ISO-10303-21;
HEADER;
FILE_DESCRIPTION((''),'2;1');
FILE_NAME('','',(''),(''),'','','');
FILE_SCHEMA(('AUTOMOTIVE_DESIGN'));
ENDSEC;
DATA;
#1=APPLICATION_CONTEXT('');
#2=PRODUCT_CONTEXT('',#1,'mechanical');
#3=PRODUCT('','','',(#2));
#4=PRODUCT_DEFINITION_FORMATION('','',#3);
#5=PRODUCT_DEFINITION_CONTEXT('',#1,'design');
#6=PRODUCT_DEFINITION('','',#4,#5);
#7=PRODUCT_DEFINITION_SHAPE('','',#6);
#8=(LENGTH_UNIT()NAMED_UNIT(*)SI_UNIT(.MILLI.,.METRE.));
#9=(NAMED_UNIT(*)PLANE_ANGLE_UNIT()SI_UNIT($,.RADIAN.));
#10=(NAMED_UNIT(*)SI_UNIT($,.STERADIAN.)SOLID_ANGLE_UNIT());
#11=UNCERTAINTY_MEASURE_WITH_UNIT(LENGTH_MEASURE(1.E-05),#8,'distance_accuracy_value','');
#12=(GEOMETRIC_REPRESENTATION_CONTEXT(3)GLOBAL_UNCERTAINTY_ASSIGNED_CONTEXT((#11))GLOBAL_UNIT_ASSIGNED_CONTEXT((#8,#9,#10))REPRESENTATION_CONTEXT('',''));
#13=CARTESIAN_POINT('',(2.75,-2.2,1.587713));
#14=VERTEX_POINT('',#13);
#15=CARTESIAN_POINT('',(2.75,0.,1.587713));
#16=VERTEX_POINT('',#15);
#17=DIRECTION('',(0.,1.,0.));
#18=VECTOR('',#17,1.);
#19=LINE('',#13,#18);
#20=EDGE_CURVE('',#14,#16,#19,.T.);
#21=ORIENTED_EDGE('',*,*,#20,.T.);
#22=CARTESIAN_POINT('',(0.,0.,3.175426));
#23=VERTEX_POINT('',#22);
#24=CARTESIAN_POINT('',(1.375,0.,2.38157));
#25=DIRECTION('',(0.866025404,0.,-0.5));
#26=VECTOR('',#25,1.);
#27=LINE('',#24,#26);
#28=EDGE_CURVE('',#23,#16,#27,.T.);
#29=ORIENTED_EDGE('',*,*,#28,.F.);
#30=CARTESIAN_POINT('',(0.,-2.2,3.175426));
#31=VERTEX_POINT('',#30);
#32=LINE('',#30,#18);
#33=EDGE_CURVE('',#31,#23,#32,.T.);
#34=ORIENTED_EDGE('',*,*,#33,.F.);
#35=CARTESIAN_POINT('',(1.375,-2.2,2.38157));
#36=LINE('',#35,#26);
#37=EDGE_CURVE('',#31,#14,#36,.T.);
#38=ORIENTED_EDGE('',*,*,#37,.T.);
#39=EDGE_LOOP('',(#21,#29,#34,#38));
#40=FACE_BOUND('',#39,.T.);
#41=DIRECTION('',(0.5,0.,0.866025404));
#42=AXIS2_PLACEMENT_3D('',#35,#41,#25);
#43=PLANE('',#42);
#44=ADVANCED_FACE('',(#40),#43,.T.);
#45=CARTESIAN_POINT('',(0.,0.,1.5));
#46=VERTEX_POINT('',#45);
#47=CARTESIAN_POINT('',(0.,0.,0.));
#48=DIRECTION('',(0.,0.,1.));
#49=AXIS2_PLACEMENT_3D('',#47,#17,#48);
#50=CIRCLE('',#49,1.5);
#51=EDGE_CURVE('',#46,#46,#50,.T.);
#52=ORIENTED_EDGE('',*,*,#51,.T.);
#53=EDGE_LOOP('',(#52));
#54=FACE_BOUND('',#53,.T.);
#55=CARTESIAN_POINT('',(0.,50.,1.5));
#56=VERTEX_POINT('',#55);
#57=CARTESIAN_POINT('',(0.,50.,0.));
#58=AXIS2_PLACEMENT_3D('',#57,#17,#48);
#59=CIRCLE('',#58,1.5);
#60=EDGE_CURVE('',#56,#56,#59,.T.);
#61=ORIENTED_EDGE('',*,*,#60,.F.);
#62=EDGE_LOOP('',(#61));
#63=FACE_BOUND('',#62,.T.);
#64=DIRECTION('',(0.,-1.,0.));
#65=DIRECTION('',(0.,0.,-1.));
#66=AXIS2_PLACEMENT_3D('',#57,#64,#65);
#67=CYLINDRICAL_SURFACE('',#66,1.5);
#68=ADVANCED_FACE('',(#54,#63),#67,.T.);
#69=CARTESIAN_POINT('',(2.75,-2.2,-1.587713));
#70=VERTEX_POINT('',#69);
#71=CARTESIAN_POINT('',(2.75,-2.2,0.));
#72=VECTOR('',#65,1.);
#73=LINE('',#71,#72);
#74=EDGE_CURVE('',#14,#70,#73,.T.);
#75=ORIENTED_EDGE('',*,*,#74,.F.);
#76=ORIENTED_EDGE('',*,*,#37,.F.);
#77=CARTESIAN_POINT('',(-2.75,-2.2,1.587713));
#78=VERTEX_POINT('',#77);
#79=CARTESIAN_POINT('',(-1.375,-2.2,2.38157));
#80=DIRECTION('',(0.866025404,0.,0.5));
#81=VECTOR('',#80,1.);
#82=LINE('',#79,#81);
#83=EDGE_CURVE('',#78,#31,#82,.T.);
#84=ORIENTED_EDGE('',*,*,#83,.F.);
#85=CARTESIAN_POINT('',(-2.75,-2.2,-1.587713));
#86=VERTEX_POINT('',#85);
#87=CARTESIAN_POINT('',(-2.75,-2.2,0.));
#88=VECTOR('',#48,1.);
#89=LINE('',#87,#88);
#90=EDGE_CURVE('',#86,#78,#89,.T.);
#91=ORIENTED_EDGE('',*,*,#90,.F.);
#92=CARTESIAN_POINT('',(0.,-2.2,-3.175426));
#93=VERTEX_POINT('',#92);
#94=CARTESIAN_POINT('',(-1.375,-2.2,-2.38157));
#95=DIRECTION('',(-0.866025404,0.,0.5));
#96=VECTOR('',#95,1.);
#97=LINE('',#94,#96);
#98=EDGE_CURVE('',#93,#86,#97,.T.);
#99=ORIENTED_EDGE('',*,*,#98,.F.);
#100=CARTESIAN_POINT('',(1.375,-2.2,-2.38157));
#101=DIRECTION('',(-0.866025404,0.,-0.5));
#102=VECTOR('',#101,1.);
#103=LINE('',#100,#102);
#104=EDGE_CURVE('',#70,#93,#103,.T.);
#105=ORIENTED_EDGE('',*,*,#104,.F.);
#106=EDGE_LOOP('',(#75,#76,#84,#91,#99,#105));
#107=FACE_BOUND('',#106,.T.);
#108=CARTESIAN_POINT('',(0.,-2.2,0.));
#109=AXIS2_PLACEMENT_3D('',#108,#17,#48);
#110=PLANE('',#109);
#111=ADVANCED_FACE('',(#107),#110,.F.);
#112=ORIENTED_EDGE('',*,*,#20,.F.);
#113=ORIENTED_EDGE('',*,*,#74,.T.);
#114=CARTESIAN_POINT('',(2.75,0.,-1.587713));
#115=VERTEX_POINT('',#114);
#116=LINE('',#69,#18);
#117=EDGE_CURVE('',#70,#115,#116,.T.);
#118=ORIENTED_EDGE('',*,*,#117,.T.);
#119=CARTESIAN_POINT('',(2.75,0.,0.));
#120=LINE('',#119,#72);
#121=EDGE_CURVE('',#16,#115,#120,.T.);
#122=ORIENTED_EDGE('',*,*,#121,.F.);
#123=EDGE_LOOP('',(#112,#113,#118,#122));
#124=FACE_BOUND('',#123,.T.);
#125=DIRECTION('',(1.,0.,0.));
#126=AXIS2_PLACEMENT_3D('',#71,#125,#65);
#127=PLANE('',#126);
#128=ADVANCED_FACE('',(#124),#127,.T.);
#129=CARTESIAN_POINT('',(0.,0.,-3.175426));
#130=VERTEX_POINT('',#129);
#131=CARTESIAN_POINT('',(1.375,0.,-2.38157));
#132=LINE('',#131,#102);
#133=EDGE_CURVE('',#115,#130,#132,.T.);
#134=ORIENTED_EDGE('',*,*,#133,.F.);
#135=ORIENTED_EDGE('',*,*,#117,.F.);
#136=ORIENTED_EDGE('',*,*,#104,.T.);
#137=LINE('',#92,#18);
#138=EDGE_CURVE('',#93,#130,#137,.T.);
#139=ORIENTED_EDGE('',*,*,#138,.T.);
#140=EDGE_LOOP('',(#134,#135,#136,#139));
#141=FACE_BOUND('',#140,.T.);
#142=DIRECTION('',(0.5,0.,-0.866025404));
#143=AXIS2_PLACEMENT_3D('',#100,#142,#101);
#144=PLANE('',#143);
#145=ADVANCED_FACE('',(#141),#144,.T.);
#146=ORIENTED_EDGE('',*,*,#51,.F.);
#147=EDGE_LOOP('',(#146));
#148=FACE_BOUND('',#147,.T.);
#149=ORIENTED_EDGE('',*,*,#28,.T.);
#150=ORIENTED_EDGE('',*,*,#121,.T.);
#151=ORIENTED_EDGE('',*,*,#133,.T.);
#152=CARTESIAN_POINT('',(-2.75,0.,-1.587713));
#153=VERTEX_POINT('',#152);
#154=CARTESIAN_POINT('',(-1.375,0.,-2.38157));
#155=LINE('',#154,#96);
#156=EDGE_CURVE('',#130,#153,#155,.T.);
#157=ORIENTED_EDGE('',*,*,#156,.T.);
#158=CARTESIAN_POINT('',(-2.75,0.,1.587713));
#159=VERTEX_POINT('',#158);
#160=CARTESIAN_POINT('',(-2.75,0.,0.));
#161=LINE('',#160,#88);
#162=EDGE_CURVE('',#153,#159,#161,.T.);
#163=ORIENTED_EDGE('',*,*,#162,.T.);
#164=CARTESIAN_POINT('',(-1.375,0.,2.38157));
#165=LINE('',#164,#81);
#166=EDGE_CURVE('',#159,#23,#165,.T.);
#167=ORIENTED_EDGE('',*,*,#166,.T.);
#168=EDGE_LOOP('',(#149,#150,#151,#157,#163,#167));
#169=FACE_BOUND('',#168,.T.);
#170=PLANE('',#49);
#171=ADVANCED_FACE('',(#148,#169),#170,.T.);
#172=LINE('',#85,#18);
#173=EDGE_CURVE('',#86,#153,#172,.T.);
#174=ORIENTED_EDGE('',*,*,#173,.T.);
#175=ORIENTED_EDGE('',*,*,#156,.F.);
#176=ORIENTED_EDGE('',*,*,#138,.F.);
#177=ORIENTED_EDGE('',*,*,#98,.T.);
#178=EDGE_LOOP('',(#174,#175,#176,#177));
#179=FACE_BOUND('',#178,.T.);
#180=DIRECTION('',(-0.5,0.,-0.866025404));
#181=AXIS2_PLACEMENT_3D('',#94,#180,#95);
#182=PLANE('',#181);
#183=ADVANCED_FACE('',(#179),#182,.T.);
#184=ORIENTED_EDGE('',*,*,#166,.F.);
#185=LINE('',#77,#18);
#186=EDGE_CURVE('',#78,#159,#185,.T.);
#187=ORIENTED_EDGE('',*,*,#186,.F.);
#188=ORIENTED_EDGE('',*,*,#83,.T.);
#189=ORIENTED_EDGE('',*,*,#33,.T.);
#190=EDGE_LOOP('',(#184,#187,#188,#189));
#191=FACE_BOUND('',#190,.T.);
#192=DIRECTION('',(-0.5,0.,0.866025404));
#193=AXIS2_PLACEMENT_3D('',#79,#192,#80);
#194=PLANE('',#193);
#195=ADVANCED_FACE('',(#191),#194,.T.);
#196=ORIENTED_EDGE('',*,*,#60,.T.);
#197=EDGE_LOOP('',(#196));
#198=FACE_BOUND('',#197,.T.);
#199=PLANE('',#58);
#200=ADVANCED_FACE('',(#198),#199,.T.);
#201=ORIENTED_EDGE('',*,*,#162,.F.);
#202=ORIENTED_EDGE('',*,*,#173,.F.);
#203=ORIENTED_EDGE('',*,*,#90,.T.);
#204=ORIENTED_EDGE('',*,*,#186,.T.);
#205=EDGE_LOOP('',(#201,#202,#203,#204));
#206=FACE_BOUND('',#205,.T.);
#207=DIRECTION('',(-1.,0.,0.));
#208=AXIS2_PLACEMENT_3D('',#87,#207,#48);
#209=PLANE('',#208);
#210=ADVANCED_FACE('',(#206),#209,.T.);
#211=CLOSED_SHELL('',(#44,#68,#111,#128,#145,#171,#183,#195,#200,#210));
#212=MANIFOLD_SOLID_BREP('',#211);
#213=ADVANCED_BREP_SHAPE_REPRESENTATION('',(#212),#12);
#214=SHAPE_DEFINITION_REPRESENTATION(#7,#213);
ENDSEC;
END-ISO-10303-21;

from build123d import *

# Parameters (mm, degrees)
SKETCH_1_R      = 1.5
EXTRUDE_3_DEPTH = 50
EXTRUDE_4_DEPTH = 2.2


with BuildPart() as part:
    # 草图1 → 凸台-拉伸3 (new body)
    with BuildSketch(Plane(origin=(0, 0, 0), x_dir=(1, 0, 0), z_dir=(0, 1, 0))):
        Circle(SKETCH_1_R)
    extrude(amount=EXTRUDE_3_DEPTH)

    # 草图1<4> → 凸台-拉伸4 (add)
    with BuildSketch(Plane(origin=(0, 0, 0), x_dir=(1, 0, 0), z_dir=(0, 1, 0))):
        Polygon((-2.75, -1.58771324), (0, -3.175426481), (2.75, -1.58771324), (2.75, 1.58771324), (0, 3.175426481), (-2.75, 1.58771324), align=None)
    extrude(amount=-EXTRUDE_4_DEPTH)


solid = part.part
